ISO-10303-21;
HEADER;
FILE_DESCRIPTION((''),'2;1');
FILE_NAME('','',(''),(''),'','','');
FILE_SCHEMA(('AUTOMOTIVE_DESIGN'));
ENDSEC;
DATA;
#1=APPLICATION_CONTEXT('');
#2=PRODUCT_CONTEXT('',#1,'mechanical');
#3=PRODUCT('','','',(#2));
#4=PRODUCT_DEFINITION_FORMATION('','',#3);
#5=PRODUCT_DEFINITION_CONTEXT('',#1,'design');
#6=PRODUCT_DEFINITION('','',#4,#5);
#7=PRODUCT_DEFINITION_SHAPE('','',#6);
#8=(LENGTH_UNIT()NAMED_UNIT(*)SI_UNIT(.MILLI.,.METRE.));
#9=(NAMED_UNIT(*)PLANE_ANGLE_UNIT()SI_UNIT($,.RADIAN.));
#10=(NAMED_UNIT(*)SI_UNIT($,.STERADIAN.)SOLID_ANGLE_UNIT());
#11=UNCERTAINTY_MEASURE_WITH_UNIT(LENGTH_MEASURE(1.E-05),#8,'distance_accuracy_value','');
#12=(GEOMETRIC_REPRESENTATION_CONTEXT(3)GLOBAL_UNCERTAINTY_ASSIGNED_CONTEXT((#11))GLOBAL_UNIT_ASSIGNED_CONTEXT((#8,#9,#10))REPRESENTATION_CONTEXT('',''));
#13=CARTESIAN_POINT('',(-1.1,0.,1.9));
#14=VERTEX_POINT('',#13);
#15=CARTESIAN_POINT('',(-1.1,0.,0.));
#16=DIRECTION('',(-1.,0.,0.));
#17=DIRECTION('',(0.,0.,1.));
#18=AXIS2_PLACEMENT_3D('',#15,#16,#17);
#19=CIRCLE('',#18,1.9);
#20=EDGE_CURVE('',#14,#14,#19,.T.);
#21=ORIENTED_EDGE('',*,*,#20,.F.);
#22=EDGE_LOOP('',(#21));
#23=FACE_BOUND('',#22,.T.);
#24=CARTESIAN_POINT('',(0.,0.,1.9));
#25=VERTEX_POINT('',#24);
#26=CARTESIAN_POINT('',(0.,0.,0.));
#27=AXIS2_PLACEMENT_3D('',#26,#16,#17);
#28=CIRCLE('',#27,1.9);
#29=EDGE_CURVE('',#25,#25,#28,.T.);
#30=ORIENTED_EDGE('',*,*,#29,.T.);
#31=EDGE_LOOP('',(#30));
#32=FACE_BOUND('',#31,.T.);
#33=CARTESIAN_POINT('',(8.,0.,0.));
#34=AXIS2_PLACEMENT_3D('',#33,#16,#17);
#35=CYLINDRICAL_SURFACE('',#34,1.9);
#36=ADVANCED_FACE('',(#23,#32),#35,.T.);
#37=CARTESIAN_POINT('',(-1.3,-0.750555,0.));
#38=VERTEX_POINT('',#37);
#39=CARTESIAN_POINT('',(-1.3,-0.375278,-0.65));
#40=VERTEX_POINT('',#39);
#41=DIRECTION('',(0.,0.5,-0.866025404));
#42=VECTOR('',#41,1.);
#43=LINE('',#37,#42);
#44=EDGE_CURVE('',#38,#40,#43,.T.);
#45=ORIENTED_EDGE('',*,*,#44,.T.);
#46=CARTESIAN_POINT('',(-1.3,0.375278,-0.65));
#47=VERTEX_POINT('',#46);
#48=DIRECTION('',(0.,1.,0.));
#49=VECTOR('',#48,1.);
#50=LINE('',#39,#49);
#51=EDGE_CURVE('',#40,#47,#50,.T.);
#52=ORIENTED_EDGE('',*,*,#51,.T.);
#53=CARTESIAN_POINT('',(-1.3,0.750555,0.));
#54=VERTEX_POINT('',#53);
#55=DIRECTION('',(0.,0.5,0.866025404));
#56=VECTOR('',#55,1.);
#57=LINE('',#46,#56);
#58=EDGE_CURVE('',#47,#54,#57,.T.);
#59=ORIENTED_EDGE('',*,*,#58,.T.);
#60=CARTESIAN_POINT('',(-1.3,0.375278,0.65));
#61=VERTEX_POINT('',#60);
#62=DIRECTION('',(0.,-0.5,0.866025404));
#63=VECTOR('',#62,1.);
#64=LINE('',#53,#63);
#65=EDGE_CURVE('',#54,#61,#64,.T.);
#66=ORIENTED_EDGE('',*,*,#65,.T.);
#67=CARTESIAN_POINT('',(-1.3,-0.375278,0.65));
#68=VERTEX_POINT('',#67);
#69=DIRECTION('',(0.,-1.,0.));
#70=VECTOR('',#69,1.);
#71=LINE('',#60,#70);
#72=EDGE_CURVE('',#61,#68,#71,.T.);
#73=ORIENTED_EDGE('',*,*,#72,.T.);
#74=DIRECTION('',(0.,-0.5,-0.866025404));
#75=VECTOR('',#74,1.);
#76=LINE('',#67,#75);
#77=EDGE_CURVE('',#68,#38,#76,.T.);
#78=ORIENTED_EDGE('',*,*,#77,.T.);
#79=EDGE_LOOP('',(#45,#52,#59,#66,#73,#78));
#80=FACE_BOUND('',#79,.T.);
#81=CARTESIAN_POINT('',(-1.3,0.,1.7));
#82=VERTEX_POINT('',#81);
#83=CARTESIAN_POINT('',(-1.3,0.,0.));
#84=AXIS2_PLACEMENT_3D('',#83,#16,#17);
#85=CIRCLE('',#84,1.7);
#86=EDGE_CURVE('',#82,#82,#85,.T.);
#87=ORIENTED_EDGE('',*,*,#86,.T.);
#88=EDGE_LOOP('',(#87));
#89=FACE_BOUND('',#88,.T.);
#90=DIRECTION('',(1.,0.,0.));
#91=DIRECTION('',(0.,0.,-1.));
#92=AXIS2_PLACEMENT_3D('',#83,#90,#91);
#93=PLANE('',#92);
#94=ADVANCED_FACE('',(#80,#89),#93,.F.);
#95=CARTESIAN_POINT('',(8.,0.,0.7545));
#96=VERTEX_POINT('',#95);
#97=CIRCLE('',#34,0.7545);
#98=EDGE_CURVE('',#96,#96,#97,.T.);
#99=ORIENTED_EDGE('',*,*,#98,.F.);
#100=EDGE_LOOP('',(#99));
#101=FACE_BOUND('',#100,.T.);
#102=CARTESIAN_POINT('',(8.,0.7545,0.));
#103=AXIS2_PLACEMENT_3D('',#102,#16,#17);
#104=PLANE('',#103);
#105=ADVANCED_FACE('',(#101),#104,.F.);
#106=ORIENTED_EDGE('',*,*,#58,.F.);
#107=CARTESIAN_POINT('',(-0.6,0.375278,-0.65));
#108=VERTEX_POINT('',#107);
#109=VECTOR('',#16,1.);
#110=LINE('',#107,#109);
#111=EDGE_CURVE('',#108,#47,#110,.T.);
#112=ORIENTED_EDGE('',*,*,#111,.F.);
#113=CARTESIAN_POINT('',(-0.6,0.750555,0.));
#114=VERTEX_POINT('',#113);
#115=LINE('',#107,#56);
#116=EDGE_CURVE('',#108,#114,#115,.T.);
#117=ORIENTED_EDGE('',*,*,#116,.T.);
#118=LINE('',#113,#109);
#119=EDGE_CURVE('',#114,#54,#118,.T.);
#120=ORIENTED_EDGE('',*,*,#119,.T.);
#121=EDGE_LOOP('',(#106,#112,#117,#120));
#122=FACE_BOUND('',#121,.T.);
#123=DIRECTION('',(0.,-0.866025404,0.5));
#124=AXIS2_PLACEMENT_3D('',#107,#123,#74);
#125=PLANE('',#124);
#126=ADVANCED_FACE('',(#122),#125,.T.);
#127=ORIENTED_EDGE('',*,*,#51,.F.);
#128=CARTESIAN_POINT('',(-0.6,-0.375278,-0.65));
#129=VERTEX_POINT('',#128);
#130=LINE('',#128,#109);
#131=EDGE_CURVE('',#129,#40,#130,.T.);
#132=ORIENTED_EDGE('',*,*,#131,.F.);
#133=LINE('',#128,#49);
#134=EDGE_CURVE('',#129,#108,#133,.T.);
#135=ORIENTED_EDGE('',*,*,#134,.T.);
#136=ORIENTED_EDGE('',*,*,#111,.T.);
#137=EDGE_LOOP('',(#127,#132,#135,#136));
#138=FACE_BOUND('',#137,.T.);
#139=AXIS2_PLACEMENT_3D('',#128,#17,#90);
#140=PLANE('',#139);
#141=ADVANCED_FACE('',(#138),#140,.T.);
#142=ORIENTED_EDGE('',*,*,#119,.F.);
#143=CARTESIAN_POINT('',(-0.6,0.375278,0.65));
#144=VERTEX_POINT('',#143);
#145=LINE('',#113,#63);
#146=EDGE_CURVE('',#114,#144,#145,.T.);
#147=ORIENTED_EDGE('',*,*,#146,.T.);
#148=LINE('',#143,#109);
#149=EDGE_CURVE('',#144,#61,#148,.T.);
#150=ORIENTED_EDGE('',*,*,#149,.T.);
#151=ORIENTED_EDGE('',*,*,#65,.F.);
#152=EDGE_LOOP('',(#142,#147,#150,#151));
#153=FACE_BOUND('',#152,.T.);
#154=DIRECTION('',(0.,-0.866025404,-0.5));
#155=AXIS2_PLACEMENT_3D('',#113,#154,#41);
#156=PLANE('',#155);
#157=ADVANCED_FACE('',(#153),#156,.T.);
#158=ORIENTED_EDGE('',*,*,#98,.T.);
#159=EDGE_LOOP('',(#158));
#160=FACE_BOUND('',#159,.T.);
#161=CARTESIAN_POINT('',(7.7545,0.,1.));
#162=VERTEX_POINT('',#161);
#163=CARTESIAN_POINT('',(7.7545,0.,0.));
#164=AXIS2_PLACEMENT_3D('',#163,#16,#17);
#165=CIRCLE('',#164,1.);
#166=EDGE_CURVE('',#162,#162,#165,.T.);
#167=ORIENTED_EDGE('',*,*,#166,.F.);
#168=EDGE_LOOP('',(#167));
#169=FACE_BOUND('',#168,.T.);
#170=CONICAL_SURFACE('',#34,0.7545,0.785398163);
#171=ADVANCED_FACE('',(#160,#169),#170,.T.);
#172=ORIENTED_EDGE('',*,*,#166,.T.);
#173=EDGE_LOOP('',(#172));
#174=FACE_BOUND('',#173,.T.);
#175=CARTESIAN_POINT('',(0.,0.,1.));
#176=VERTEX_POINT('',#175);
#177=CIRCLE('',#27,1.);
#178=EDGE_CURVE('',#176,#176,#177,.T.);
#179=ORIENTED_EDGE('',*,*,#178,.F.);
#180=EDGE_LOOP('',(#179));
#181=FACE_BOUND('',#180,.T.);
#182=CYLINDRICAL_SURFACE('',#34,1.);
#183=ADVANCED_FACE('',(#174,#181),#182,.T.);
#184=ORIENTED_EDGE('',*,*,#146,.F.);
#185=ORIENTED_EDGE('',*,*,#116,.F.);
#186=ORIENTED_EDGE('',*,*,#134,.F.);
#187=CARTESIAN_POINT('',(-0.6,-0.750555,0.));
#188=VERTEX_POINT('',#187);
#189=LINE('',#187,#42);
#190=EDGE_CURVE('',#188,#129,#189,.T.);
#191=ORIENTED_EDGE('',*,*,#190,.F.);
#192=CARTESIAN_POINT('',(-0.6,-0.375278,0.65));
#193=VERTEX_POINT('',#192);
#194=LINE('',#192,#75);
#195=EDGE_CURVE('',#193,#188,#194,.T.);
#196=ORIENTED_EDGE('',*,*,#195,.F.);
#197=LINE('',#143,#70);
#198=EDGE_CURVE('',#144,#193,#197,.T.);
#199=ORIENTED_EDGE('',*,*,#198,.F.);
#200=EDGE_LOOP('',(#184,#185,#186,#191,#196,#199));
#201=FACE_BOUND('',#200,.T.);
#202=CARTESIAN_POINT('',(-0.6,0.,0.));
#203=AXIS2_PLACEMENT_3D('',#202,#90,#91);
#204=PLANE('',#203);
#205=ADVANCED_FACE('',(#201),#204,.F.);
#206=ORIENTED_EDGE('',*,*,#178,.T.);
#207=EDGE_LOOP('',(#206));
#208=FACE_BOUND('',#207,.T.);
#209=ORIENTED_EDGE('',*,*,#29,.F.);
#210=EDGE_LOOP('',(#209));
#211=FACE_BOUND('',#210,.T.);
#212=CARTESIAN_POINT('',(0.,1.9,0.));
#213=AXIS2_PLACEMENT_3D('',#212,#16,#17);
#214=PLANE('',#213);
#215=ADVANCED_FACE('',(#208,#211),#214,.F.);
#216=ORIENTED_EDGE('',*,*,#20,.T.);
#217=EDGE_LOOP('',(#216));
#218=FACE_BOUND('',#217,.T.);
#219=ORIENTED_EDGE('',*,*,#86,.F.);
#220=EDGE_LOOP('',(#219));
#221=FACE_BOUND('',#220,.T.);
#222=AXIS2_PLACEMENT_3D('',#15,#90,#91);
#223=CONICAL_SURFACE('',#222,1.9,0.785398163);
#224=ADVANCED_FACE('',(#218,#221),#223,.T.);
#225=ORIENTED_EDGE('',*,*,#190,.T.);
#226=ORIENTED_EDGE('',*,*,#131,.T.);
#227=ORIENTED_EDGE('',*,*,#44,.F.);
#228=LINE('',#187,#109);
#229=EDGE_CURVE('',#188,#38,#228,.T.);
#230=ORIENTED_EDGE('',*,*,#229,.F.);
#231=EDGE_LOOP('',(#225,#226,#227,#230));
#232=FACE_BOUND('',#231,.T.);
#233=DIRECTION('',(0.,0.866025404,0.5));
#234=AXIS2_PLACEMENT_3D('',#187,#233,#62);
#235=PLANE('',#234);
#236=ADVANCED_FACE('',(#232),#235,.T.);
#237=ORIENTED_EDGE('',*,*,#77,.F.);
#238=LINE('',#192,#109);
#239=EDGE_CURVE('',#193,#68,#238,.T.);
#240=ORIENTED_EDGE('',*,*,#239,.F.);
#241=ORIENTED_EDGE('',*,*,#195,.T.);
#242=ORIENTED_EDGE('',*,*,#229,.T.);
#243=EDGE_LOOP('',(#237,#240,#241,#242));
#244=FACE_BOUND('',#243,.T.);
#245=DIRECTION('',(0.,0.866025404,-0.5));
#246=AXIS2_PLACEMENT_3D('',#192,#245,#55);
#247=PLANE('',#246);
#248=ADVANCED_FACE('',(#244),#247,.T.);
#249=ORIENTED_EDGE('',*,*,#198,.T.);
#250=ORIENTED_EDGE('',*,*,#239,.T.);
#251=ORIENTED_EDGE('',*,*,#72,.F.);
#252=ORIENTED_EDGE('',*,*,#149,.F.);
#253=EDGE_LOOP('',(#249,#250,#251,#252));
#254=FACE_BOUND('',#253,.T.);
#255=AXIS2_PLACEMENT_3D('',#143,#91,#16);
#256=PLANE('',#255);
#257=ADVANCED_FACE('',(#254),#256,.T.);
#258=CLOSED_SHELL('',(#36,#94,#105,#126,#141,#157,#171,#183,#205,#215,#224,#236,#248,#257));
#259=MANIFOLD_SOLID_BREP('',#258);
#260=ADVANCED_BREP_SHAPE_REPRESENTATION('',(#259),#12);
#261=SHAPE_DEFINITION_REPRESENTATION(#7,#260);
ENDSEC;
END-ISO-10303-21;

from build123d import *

# Parameters (mm, degrees)
CUT_EXTRUDE1_DEPTH = 0.7


with BuildPart() as part:
    # Sketch1 → Revolve1 (revolve)
    with BuildSketch(Plane.XY):
        Polygon((-1.3, 0), (-1.3, 1.7), (-1.1, 1.9), (0, 1.9), (0, 1), (7.7545, 1), (8, 0.7545), (8, 0), align=None)
    revolve(axis=Axis((8, 0, 0), (-1, 0, 0)))

    # Sketch2 → Cut-Extrude1 (cut)
    with BuildSketch(Plane(origin=(-1.3, 0, 0), x_dir=(0, 0, -1), z_dir=(1, 0, 0))):
        Polygon((-0.65, -0.375277675), (0, -0.75055535), (0.65, -0.375277675), (0.65, 0.375277675), (0, 0.75055535), (-0.65, 0.375277675), align=None)
    extrude(amount=CUT_EXTRUDE1_DEPTH, mode=Mode.SUBTRACT)


solid = part.part
